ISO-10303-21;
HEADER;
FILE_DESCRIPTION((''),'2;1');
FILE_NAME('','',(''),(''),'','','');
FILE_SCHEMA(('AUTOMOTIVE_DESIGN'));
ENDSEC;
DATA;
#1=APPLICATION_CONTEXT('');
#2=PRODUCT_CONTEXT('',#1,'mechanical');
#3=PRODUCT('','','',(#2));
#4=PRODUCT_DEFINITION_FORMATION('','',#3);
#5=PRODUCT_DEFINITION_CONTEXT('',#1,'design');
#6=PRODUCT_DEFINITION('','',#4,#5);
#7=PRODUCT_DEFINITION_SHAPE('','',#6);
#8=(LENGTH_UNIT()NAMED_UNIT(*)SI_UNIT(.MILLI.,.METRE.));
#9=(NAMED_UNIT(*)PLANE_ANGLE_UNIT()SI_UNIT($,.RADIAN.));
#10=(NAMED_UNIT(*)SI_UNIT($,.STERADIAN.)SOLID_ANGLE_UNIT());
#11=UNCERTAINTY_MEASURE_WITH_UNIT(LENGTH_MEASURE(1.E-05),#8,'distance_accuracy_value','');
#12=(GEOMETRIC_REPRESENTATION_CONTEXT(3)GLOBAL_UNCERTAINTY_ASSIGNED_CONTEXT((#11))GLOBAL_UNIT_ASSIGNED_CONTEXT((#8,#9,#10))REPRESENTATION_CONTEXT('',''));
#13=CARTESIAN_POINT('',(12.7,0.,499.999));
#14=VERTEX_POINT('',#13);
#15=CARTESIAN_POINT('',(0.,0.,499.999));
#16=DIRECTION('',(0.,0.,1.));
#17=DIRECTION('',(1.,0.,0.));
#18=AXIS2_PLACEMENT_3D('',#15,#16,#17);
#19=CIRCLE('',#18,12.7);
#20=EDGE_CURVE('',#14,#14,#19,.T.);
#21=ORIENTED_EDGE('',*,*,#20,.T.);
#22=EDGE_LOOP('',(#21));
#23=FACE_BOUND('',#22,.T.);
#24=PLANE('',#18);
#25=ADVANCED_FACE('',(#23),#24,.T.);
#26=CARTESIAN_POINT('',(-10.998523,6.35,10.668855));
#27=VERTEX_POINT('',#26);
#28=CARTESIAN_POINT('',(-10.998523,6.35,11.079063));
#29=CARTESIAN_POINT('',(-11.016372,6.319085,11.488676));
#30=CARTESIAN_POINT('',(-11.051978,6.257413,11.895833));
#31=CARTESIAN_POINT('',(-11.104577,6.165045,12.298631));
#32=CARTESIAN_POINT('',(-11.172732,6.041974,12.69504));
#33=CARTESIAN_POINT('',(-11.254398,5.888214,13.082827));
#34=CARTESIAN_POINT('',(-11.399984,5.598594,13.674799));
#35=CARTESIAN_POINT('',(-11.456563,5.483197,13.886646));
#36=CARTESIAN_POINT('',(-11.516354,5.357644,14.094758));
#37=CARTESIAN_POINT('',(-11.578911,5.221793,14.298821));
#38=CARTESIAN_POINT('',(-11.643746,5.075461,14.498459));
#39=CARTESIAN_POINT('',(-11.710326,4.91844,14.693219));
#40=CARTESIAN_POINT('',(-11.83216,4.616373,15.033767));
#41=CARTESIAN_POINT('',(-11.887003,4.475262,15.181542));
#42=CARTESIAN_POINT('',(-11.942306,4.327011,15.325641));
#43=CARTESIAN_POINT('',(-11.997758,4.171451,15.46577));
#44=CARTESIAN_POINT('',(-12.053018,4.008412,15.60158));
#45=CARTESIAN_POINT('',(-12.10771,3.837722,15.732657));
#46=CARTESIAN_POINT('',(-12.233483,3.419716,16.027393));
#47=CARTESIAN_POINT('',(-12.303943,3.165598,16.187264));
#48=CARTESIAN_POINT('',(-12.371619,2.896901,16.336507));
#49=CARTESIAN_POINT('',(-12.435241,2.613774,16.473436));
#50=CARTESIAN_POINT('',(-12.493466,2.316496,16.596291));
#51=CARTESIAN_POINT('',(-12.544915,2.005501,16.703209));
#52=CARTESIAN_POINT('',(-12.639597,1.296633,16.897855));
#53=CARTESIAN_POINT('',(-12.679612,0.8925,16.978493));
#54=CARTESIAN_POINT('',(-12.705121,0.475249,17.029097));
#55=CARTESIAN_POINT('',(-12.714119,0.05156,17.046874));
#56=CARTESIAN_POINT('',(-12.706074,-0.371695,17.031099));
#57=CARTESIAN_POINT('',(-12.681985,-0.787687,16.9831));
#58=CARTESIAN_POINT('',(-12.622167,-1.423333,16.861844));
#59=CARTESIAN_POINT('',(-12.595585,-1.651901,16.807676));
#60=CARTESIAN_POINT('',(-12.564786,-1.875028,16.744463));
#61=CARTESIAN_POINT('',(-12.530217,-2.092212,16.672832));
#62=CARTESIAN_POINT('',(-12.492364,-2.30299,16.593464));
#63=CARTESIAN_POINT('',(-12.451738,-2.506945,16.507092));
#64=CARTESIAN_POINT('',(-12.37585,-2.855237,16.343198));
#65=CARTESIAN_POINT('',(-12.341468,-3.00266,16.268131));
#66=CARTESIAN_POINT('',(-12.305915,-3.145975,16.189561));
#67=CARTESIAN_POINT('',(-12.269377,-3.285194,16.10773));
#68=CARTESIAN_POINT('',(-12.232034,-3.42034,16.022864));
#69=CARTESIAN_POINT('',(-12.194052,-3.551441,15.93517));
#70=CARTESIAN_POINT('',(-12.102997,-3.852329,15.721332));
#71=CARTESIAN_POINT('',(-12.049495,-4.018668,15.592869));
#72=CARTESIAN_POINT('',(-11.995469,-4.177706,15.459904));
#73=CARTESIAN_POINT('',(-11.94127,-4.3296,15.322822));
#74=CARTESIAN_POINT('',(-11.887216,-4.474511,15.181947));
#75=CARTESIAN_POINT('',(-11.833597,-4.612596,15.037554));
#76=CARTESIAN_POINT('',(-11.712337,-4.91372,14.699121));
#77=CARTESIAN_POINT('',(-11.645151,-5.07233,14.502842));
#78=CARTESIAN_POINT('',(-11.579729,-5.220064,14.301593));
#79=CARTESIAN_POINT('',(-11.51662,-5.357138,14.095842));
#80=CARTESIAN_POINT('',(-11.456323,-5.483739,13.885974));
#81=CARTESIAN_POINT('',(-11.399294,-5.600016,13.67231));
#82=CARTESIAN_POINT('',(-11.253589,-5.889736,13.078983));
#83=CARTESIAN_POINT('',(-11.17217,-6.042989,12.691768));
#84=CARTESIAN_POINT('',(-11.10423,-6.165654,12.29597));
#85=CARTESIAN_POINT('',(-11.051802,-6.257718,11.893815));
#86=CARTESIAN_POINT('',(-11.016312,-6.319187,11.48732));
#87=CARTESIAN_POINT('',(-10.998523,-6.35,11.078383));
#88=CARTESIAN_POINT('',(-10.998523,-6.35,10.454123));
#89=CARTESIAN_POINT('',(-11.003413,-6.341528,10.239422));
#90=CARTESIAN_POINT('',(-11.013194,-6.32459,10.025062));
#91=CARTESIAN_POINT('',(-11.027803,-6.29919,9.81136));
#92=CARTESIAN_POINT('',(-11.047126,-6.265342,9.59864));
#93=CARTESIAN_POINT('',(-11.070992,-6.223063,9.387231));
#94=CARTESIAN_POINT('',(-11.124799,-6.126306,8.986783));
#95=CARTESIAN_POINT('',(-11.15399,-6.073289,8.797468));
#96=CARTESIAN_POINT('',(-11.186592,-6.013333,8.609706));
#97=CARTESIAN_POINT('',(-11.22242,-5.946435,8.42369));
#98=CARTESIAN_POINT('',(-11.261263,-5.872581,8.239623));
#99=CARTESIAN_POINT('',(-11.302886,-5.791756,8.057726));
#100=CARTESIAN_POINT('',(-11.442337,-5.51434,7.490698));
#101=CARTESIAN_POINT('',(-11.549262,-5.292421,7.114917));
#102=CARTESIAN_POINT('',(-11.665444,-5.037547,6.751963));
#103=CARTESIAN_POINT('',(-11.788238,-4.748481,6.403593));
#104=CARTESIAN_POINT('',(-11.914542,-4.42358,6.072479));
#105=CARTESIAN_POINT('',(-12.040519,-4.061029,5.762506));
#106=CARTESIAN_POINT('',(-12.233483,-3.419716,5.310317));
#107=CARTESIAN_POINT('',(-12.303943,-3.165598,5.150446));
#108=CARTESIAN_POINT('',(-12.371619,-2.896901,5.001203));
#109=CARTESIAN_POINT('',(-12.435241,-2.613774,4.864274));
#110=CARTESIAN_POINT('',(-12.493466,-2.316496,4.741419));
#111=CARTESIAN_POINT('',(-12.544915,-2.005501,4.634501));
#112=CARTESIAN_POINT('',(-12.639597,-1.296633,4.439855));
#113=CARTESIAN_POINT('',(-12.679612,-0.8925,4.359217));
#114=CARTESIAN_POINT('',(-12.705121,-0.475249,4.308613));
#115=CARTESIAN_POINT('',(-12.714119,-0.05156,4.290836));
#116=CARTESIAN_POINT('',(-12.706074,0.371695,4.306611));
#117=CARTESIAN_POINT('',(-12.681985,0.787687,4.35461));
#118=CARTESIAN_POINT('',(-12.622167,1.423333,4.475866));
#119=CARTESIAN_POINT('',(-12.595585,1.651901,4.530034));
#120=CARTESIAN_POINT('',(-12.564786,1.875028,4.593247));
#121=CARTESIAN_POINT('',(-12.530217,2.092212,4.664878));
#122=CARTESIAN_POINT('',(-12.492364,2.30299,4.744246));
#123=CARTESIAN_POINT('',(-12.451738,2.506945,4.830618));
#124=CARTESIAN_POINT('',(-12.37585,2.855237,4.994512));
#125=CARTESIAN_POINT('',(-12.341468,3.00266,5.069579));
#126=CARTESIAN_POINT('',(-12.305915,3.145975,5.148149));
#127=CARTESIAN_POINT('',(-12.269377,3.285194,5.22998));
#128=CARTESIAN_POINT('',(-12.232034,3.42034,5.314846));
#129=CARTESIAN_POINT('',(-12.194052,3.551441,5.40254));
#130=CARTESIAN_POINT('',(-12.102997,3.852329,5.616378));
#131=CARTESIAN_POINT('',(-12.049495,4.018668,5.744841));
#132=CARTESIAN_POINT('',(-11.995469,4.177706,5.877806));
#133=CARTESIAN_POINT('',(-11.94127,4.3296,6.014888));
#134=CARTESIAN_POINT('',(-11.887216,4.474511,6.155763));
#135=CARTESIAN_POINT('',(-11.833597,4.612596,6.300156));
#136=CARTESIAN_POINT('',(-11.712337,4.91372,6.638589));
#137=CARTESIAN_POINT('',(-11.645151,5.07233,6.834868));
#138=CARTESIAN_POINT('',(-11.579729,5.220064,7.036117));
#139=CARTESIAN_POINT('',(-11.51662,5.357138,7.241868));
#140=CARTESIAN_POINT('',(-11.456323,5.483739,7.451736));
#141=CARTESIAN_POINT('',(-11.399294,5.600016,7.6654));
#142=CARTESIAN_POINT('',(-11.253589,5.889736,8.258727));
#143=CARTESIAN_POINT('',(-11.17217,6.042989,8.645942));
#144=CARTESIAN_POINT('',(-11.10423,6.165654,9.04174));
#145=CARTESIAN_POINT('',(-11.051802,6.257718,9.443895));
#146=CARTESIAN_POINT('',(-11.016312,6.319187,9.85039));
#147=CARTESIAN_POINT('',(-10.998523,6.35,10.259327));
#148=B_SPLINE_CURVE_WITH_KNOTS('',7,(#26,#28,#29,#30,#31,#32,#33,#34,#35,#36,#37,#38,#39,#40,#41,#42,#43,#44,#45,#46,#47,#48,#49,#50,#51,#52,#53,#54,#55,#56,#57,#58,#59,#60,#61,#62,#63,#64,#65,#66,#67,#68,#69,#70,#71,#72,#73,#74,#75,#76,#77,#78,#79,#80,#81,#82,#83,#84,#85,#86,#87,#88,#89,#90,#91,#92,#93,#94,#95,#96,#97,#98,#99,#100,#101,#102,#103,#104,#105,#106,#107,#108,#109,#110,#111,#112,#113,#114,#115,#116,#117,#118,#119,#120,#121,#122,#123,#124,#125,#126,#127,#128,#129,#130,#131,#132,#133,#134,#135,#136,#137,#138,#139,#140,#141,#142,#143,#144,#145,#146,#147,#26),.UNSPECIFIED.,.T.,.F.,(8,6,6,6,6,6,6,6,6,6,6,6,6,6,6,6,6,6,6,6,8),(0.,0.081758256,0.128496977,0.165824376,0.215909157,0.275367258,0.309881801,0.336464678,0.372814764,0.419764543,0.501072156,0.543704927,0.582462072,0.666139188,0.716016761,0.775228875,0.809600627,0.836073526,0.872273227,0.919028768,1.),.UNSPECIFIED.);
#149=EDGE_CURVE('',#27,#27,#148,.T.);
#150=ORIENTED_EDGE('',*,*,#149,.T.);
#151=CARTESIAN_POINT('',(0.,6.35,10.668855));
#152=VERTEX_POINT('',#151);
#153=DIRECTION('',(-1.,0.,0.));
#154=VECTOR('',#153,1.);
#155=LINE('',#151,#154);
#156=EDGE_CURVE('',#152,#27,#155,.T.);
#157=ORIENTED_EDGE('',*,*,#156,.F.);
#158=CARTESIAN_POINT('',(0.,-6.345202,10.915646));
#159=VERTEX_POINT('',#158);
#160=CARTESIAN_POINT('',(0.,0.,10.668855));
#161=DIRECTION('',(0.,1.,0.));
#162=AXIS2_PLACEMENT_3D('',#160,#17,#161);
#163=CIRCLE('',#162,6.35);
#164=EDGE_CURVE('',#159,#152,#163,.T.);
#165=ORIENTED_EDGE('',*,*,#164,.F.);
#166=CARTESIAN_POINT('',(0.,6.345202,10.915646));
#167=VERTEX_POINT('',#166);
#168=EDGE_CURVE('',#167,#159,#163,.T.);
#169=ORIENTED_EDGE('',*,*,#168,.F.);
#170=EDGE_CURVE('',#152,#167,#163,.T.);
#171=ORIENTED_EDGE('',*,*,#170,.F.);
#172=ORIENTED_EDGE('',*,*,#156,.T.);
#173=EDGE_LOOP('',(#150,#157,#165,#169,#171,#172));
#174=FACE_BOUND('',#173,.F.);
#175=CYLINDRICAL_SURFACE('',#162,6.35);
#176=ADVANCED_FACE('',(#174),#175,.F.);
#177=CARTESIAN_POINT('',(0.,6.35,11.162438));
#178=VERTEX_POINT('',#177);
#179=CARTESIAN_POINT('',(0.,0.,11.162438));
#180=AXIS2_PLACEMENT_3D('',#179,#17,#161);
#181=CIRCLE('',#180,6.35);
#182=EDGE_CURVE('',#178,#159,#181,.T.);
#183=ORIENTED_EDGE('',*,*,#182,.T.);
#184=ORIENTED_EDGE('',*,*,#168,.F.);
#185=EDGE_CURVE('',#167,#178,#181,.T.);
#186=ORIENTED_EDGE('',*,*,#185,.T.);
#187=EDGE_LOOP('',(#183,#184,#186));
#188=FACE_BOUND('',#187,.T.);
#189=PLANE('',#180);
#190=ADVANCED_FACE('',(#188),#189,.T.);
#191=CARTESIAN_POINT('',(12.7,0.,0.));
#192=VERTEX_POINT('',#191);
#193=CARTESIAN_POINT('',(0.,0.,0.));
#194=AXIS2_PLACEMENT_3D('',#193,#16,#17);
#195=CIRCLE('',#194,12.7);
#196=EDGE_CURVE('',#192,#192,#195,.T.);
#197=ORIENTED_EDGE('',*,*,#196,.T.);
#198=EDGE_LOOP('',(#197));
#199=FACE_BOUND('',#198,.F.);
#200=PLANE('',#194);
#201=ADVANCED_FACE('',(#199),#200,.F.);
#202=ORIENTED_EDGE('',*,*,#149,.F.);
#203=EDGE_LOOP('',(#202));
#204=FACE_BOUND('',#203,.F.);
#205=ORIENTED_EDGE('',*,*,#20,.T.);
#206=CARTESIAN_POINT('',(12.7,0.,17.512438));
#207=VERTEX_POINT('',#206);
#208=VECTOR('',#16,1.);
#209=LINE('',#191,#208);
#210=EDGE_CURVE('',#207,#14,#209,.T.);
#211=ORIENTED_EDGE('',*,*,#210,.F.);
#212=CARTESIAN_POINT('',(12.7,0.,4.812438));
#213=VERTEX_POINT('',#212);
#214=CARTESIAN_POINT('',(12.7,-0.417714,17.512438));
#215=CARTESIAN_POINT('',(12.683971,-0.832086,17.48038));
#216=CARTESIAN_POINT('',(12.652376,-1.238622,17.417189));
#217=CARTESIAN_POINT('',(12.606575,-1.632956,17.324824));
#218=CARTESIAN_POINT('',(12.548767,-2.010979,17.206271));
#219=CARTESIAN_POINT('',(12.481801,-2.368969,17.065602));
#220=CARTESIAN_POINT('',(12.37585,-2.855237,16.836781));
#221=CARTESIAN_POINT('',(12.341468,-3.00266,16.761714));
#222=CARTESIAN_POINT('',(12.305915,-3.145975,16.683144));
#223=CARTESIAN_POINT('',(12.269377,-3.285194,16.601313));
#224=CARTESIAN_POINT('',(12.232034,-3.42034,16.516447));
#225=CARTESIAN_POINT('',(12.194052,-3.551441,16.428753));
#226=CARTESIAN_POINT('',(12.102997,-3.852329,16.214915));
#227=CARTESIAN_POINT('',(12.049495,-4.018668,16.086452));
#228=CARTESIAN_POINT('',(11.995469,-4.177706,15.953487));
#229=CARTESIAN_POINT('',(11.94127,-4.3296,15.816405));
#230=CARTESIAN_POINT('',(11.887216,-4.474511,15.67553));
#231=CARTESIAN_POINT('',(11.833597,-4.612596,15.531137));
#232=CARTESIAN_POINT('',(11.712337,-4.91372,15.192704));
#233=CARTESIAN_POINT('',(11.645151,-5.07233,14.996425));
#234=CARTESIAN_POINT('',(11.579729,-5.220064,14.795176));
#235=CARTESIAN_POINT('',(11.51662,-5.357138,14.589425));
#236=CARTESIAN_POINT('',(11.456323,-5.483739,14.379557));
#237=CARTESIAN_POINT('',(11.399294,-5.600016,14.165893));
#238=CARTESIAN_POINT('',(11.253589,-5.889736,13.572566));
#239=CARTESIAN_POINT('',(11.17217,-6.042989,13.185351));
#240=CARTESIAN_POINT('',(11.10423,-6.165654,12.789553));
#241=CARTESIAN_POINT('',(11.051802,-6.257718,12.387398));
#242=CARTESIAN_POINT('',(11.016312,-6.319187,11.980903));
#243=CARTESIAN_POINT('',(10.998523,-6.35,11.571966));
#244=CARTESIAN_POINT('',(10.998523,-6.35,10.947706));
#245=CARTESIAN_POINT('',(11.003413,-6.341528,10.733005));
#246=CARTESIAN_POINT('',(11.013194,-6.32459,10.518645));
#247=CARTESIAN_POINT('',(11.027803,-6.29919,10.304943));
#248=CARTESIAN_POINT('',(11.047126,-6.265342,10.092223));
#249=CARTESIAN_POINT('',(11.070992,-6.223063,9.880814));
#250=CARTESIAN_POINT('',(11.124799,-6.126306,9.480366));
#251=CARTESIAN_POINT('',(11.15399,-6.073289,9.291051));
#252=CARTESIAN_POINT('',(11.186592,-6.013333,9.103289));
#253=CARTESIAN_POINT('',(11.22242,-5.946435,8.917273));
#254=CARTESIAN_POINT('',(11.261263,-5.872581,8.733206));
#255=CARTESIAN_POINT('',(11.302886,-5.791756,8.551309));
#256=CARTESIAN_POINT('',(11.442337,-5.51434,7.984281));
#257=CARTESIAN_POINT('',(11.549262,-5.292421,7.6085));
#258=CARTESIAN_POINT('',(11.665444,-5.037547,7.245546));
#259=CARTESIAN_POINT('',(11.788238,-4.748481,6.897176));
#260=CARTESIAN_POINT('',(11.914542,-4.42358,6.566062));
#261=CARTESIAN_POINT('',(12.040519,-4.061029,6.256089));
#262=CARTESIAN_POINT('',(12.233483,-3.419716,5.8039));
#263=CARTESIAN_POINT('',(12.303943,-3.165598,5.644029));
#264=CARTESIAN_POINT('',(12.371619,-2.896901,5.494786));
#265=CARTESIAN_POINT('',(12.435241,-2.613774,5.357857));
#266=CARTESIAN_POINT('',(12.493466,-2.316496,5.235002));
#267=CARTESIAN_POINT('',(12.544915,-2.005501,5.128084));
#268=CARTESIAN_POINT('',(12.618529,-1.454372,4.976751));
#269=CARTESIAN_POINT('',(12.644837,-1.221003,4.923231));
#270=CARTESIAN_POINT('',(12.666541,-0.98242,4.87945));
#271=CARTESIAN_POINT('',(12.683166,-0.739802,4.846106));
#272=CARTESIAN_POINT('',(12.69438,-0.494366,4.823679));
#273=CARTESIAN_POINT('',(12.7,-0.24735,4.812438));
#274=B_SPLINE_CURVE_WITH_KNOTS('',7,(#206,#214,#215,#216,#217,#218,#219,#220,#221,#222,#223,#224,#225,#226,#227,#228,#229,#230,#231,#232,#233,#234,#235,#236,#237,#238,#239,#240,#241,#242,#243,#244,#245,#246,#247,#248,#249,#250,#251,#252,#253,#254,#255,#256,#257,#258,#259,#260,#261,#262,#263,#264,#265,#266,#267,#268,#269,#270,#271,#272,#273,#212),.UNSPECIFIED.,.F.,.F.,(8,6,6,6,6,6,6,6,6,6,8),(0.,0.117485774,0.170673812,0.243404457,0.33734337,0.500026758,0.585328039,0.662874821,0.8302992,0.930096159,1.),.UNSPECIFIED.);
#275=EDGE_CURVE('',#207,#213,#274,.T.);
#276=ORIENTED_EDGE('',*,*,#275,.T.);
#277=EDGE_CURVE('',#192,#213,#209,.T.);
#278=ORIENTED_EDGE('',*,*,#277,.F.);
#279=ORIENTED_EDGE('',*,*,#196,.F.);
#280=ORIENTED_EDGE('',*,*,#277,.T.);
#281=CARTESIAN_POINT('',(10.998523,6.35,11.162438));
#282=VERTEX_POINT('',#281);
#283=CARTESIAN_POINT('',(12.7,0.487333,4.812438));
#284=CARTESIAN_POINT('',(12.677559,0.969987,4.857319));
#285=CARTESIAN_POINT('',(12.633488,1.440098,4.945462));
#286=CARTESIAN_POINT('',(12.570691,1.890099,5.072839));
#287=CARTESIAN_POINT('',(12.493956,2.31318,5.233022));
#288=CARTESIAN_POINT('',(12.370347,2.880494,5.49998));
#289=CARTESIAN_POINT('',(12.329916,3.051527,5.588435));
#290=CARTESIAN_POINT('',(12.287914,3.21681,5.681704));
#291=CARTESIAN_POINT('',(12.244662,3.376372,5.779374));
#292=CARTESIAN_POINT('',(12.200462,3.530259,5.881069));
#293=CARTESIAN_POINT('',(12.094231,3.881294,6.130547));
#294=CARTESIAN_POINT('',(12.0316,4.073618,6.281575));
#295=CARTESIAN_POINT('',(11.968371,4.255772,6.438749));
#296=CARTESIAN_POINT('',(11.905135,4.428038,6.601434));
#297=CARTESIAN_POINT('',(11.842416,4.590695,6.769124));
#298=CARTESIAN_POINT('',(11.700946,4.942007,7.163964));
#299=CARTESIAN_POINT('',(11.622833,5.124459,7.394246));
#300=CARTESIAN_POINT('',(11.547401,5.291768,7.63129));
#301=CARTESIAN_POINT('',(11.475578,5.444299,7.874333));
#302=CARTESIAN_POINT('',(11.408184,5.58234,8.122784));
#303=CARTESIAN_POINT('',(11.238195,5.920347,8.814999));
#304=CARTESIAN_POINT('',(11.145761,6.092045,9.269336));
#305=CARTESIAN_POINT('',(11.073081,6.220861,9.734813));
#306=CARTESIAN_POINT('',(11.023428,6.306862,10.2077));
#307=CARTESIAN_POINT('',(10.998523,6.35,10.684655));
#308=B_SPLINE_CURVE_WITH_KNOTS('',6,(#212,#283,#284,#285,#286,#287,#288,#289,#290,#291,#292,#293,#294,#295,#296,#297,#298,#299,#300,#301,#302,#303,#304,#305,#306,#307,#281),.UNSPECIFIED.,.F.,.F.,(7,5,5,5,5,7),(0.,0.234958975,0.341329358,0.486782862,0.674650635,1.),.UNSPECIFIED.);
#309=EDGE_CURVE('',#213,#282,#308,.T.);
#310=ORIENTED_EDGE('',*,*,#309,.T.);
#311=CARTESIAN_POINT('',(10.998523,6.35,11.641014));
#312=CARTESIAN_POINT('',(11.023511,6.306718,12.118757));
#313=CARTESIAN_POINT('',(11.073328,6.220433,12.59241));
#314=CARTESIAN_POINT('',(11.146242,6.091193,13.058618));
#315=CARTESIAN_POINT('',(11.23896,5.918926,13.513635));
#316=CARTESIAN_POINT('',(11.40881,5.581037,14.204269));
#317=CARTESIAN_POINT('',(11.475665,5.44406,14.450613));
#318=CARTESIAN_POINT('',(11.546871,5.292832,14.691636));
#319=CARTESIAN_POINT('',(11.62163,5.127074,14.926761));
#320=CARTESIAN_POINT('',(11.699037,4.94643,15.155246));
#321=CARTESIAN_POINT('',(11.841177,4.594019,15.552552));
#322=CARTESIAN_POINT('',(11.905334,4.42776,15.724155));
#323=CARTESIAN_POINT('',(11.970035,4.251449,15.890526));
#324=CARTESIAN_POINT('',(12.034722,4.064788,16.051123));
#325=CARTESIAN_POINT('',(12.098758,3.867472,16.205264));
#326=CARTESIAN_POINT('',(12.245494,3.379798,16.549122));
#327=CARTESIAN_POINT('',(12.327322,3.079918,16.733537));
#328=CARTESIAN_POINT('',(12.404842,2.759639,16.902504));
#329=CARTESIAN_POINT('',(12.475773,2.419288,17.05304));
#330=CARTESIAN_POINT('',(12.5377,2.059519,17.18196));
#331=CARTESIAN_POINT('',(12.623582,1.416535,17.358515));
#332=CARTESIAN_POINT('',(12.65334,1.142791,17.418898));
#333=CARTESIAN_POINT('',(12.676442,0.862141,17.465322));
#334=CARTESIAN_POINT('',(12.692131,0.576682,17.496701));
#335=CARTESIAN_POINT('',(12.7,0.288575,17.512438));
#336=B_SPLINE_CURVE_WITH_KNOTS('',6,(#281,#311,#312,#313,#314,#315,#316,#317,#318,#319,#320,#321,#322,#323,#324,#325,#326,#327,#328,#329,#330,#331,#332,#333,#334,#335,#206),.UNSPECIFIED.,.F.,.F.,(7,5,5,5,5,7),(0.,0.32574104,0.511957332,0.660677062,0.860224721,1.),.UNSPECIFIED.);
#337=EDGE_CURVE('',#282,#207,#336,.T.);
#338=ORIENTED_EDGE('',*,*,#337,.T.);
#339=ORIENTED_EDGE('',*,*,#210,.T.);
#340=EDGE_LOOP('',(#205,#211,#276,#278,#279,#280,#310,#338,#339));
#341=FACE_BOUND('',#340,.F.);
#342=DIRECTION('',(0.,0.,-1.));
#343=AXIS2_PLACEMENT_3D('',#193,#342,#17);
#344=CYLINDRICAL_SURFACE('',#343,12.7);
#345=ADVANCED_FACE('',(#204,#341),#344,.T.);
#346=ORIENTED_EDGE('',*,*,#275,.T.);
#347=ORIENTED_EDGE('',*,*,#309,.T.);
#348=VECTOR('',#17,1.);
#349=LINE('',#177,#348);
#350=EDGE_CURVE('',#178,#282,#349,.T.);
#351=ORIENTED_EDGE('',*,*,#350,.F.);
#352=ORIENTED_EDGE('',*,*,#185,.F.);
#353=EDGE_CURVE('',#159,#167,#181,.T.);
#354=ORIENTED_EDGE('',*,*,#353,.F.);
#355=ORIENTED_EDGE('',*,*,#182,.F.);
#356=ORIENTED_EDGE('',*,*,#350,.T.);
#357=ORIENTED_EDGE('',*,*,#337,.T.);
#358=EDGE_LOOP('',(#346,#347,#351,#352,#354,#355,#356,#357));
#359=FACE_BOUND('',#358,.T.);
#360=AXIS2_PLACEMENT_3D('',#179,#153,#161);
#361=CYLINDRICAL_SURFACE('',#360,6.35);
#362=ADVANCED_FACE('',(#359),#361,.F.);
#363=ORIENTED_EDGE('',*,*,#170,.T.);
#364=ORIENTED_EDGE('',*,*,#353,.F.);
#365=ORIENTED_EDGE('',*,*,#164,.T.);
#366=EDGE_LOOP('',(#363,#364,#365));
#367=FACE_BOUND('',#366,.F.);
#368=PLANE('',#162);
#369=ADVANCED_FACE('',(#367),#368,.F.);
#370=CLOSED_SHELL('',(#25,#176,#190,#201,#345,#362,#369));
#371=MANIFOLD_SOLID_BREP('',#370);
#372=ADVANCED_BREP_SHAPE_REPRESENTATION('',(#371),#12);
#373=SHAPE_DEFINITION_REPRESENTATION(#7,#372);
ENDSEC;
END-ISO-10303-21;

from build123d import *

# Parameters (mm, degrees)
F0_R     = 12.7
F1_DEPTH = 499.999
F2_R     = 6.35
F3_DEPTH = 76.2
F4_R     = 6.35
F5_DEPTH = 76.2


with BuildPart() as f1:
    # F0 (on Top) → F1 (new body)
    with BuildSketch(Plane.XY):
        Circle(F0_R)
    extrude(amount=F1_DEPTH)

    # F2 (on Right) → F3 (cut)
    with BuildSketch(Plane.YZ):
        with Locations((0, 11.162438)):
            Circle(F2_R)
    extrude(amount=F3_DEPTH, mode=Mode.SUBTRACT)

    # F4 (on Right) → F5 (cut)
    with BuildSketch(Plane.YZ):
        with Locations((0, 10.668855)):
            Circle(F4_R)
    extrude(amount=-F5_DEPTH, mode=Mode.SUBTRACT)


solid = f1.part
